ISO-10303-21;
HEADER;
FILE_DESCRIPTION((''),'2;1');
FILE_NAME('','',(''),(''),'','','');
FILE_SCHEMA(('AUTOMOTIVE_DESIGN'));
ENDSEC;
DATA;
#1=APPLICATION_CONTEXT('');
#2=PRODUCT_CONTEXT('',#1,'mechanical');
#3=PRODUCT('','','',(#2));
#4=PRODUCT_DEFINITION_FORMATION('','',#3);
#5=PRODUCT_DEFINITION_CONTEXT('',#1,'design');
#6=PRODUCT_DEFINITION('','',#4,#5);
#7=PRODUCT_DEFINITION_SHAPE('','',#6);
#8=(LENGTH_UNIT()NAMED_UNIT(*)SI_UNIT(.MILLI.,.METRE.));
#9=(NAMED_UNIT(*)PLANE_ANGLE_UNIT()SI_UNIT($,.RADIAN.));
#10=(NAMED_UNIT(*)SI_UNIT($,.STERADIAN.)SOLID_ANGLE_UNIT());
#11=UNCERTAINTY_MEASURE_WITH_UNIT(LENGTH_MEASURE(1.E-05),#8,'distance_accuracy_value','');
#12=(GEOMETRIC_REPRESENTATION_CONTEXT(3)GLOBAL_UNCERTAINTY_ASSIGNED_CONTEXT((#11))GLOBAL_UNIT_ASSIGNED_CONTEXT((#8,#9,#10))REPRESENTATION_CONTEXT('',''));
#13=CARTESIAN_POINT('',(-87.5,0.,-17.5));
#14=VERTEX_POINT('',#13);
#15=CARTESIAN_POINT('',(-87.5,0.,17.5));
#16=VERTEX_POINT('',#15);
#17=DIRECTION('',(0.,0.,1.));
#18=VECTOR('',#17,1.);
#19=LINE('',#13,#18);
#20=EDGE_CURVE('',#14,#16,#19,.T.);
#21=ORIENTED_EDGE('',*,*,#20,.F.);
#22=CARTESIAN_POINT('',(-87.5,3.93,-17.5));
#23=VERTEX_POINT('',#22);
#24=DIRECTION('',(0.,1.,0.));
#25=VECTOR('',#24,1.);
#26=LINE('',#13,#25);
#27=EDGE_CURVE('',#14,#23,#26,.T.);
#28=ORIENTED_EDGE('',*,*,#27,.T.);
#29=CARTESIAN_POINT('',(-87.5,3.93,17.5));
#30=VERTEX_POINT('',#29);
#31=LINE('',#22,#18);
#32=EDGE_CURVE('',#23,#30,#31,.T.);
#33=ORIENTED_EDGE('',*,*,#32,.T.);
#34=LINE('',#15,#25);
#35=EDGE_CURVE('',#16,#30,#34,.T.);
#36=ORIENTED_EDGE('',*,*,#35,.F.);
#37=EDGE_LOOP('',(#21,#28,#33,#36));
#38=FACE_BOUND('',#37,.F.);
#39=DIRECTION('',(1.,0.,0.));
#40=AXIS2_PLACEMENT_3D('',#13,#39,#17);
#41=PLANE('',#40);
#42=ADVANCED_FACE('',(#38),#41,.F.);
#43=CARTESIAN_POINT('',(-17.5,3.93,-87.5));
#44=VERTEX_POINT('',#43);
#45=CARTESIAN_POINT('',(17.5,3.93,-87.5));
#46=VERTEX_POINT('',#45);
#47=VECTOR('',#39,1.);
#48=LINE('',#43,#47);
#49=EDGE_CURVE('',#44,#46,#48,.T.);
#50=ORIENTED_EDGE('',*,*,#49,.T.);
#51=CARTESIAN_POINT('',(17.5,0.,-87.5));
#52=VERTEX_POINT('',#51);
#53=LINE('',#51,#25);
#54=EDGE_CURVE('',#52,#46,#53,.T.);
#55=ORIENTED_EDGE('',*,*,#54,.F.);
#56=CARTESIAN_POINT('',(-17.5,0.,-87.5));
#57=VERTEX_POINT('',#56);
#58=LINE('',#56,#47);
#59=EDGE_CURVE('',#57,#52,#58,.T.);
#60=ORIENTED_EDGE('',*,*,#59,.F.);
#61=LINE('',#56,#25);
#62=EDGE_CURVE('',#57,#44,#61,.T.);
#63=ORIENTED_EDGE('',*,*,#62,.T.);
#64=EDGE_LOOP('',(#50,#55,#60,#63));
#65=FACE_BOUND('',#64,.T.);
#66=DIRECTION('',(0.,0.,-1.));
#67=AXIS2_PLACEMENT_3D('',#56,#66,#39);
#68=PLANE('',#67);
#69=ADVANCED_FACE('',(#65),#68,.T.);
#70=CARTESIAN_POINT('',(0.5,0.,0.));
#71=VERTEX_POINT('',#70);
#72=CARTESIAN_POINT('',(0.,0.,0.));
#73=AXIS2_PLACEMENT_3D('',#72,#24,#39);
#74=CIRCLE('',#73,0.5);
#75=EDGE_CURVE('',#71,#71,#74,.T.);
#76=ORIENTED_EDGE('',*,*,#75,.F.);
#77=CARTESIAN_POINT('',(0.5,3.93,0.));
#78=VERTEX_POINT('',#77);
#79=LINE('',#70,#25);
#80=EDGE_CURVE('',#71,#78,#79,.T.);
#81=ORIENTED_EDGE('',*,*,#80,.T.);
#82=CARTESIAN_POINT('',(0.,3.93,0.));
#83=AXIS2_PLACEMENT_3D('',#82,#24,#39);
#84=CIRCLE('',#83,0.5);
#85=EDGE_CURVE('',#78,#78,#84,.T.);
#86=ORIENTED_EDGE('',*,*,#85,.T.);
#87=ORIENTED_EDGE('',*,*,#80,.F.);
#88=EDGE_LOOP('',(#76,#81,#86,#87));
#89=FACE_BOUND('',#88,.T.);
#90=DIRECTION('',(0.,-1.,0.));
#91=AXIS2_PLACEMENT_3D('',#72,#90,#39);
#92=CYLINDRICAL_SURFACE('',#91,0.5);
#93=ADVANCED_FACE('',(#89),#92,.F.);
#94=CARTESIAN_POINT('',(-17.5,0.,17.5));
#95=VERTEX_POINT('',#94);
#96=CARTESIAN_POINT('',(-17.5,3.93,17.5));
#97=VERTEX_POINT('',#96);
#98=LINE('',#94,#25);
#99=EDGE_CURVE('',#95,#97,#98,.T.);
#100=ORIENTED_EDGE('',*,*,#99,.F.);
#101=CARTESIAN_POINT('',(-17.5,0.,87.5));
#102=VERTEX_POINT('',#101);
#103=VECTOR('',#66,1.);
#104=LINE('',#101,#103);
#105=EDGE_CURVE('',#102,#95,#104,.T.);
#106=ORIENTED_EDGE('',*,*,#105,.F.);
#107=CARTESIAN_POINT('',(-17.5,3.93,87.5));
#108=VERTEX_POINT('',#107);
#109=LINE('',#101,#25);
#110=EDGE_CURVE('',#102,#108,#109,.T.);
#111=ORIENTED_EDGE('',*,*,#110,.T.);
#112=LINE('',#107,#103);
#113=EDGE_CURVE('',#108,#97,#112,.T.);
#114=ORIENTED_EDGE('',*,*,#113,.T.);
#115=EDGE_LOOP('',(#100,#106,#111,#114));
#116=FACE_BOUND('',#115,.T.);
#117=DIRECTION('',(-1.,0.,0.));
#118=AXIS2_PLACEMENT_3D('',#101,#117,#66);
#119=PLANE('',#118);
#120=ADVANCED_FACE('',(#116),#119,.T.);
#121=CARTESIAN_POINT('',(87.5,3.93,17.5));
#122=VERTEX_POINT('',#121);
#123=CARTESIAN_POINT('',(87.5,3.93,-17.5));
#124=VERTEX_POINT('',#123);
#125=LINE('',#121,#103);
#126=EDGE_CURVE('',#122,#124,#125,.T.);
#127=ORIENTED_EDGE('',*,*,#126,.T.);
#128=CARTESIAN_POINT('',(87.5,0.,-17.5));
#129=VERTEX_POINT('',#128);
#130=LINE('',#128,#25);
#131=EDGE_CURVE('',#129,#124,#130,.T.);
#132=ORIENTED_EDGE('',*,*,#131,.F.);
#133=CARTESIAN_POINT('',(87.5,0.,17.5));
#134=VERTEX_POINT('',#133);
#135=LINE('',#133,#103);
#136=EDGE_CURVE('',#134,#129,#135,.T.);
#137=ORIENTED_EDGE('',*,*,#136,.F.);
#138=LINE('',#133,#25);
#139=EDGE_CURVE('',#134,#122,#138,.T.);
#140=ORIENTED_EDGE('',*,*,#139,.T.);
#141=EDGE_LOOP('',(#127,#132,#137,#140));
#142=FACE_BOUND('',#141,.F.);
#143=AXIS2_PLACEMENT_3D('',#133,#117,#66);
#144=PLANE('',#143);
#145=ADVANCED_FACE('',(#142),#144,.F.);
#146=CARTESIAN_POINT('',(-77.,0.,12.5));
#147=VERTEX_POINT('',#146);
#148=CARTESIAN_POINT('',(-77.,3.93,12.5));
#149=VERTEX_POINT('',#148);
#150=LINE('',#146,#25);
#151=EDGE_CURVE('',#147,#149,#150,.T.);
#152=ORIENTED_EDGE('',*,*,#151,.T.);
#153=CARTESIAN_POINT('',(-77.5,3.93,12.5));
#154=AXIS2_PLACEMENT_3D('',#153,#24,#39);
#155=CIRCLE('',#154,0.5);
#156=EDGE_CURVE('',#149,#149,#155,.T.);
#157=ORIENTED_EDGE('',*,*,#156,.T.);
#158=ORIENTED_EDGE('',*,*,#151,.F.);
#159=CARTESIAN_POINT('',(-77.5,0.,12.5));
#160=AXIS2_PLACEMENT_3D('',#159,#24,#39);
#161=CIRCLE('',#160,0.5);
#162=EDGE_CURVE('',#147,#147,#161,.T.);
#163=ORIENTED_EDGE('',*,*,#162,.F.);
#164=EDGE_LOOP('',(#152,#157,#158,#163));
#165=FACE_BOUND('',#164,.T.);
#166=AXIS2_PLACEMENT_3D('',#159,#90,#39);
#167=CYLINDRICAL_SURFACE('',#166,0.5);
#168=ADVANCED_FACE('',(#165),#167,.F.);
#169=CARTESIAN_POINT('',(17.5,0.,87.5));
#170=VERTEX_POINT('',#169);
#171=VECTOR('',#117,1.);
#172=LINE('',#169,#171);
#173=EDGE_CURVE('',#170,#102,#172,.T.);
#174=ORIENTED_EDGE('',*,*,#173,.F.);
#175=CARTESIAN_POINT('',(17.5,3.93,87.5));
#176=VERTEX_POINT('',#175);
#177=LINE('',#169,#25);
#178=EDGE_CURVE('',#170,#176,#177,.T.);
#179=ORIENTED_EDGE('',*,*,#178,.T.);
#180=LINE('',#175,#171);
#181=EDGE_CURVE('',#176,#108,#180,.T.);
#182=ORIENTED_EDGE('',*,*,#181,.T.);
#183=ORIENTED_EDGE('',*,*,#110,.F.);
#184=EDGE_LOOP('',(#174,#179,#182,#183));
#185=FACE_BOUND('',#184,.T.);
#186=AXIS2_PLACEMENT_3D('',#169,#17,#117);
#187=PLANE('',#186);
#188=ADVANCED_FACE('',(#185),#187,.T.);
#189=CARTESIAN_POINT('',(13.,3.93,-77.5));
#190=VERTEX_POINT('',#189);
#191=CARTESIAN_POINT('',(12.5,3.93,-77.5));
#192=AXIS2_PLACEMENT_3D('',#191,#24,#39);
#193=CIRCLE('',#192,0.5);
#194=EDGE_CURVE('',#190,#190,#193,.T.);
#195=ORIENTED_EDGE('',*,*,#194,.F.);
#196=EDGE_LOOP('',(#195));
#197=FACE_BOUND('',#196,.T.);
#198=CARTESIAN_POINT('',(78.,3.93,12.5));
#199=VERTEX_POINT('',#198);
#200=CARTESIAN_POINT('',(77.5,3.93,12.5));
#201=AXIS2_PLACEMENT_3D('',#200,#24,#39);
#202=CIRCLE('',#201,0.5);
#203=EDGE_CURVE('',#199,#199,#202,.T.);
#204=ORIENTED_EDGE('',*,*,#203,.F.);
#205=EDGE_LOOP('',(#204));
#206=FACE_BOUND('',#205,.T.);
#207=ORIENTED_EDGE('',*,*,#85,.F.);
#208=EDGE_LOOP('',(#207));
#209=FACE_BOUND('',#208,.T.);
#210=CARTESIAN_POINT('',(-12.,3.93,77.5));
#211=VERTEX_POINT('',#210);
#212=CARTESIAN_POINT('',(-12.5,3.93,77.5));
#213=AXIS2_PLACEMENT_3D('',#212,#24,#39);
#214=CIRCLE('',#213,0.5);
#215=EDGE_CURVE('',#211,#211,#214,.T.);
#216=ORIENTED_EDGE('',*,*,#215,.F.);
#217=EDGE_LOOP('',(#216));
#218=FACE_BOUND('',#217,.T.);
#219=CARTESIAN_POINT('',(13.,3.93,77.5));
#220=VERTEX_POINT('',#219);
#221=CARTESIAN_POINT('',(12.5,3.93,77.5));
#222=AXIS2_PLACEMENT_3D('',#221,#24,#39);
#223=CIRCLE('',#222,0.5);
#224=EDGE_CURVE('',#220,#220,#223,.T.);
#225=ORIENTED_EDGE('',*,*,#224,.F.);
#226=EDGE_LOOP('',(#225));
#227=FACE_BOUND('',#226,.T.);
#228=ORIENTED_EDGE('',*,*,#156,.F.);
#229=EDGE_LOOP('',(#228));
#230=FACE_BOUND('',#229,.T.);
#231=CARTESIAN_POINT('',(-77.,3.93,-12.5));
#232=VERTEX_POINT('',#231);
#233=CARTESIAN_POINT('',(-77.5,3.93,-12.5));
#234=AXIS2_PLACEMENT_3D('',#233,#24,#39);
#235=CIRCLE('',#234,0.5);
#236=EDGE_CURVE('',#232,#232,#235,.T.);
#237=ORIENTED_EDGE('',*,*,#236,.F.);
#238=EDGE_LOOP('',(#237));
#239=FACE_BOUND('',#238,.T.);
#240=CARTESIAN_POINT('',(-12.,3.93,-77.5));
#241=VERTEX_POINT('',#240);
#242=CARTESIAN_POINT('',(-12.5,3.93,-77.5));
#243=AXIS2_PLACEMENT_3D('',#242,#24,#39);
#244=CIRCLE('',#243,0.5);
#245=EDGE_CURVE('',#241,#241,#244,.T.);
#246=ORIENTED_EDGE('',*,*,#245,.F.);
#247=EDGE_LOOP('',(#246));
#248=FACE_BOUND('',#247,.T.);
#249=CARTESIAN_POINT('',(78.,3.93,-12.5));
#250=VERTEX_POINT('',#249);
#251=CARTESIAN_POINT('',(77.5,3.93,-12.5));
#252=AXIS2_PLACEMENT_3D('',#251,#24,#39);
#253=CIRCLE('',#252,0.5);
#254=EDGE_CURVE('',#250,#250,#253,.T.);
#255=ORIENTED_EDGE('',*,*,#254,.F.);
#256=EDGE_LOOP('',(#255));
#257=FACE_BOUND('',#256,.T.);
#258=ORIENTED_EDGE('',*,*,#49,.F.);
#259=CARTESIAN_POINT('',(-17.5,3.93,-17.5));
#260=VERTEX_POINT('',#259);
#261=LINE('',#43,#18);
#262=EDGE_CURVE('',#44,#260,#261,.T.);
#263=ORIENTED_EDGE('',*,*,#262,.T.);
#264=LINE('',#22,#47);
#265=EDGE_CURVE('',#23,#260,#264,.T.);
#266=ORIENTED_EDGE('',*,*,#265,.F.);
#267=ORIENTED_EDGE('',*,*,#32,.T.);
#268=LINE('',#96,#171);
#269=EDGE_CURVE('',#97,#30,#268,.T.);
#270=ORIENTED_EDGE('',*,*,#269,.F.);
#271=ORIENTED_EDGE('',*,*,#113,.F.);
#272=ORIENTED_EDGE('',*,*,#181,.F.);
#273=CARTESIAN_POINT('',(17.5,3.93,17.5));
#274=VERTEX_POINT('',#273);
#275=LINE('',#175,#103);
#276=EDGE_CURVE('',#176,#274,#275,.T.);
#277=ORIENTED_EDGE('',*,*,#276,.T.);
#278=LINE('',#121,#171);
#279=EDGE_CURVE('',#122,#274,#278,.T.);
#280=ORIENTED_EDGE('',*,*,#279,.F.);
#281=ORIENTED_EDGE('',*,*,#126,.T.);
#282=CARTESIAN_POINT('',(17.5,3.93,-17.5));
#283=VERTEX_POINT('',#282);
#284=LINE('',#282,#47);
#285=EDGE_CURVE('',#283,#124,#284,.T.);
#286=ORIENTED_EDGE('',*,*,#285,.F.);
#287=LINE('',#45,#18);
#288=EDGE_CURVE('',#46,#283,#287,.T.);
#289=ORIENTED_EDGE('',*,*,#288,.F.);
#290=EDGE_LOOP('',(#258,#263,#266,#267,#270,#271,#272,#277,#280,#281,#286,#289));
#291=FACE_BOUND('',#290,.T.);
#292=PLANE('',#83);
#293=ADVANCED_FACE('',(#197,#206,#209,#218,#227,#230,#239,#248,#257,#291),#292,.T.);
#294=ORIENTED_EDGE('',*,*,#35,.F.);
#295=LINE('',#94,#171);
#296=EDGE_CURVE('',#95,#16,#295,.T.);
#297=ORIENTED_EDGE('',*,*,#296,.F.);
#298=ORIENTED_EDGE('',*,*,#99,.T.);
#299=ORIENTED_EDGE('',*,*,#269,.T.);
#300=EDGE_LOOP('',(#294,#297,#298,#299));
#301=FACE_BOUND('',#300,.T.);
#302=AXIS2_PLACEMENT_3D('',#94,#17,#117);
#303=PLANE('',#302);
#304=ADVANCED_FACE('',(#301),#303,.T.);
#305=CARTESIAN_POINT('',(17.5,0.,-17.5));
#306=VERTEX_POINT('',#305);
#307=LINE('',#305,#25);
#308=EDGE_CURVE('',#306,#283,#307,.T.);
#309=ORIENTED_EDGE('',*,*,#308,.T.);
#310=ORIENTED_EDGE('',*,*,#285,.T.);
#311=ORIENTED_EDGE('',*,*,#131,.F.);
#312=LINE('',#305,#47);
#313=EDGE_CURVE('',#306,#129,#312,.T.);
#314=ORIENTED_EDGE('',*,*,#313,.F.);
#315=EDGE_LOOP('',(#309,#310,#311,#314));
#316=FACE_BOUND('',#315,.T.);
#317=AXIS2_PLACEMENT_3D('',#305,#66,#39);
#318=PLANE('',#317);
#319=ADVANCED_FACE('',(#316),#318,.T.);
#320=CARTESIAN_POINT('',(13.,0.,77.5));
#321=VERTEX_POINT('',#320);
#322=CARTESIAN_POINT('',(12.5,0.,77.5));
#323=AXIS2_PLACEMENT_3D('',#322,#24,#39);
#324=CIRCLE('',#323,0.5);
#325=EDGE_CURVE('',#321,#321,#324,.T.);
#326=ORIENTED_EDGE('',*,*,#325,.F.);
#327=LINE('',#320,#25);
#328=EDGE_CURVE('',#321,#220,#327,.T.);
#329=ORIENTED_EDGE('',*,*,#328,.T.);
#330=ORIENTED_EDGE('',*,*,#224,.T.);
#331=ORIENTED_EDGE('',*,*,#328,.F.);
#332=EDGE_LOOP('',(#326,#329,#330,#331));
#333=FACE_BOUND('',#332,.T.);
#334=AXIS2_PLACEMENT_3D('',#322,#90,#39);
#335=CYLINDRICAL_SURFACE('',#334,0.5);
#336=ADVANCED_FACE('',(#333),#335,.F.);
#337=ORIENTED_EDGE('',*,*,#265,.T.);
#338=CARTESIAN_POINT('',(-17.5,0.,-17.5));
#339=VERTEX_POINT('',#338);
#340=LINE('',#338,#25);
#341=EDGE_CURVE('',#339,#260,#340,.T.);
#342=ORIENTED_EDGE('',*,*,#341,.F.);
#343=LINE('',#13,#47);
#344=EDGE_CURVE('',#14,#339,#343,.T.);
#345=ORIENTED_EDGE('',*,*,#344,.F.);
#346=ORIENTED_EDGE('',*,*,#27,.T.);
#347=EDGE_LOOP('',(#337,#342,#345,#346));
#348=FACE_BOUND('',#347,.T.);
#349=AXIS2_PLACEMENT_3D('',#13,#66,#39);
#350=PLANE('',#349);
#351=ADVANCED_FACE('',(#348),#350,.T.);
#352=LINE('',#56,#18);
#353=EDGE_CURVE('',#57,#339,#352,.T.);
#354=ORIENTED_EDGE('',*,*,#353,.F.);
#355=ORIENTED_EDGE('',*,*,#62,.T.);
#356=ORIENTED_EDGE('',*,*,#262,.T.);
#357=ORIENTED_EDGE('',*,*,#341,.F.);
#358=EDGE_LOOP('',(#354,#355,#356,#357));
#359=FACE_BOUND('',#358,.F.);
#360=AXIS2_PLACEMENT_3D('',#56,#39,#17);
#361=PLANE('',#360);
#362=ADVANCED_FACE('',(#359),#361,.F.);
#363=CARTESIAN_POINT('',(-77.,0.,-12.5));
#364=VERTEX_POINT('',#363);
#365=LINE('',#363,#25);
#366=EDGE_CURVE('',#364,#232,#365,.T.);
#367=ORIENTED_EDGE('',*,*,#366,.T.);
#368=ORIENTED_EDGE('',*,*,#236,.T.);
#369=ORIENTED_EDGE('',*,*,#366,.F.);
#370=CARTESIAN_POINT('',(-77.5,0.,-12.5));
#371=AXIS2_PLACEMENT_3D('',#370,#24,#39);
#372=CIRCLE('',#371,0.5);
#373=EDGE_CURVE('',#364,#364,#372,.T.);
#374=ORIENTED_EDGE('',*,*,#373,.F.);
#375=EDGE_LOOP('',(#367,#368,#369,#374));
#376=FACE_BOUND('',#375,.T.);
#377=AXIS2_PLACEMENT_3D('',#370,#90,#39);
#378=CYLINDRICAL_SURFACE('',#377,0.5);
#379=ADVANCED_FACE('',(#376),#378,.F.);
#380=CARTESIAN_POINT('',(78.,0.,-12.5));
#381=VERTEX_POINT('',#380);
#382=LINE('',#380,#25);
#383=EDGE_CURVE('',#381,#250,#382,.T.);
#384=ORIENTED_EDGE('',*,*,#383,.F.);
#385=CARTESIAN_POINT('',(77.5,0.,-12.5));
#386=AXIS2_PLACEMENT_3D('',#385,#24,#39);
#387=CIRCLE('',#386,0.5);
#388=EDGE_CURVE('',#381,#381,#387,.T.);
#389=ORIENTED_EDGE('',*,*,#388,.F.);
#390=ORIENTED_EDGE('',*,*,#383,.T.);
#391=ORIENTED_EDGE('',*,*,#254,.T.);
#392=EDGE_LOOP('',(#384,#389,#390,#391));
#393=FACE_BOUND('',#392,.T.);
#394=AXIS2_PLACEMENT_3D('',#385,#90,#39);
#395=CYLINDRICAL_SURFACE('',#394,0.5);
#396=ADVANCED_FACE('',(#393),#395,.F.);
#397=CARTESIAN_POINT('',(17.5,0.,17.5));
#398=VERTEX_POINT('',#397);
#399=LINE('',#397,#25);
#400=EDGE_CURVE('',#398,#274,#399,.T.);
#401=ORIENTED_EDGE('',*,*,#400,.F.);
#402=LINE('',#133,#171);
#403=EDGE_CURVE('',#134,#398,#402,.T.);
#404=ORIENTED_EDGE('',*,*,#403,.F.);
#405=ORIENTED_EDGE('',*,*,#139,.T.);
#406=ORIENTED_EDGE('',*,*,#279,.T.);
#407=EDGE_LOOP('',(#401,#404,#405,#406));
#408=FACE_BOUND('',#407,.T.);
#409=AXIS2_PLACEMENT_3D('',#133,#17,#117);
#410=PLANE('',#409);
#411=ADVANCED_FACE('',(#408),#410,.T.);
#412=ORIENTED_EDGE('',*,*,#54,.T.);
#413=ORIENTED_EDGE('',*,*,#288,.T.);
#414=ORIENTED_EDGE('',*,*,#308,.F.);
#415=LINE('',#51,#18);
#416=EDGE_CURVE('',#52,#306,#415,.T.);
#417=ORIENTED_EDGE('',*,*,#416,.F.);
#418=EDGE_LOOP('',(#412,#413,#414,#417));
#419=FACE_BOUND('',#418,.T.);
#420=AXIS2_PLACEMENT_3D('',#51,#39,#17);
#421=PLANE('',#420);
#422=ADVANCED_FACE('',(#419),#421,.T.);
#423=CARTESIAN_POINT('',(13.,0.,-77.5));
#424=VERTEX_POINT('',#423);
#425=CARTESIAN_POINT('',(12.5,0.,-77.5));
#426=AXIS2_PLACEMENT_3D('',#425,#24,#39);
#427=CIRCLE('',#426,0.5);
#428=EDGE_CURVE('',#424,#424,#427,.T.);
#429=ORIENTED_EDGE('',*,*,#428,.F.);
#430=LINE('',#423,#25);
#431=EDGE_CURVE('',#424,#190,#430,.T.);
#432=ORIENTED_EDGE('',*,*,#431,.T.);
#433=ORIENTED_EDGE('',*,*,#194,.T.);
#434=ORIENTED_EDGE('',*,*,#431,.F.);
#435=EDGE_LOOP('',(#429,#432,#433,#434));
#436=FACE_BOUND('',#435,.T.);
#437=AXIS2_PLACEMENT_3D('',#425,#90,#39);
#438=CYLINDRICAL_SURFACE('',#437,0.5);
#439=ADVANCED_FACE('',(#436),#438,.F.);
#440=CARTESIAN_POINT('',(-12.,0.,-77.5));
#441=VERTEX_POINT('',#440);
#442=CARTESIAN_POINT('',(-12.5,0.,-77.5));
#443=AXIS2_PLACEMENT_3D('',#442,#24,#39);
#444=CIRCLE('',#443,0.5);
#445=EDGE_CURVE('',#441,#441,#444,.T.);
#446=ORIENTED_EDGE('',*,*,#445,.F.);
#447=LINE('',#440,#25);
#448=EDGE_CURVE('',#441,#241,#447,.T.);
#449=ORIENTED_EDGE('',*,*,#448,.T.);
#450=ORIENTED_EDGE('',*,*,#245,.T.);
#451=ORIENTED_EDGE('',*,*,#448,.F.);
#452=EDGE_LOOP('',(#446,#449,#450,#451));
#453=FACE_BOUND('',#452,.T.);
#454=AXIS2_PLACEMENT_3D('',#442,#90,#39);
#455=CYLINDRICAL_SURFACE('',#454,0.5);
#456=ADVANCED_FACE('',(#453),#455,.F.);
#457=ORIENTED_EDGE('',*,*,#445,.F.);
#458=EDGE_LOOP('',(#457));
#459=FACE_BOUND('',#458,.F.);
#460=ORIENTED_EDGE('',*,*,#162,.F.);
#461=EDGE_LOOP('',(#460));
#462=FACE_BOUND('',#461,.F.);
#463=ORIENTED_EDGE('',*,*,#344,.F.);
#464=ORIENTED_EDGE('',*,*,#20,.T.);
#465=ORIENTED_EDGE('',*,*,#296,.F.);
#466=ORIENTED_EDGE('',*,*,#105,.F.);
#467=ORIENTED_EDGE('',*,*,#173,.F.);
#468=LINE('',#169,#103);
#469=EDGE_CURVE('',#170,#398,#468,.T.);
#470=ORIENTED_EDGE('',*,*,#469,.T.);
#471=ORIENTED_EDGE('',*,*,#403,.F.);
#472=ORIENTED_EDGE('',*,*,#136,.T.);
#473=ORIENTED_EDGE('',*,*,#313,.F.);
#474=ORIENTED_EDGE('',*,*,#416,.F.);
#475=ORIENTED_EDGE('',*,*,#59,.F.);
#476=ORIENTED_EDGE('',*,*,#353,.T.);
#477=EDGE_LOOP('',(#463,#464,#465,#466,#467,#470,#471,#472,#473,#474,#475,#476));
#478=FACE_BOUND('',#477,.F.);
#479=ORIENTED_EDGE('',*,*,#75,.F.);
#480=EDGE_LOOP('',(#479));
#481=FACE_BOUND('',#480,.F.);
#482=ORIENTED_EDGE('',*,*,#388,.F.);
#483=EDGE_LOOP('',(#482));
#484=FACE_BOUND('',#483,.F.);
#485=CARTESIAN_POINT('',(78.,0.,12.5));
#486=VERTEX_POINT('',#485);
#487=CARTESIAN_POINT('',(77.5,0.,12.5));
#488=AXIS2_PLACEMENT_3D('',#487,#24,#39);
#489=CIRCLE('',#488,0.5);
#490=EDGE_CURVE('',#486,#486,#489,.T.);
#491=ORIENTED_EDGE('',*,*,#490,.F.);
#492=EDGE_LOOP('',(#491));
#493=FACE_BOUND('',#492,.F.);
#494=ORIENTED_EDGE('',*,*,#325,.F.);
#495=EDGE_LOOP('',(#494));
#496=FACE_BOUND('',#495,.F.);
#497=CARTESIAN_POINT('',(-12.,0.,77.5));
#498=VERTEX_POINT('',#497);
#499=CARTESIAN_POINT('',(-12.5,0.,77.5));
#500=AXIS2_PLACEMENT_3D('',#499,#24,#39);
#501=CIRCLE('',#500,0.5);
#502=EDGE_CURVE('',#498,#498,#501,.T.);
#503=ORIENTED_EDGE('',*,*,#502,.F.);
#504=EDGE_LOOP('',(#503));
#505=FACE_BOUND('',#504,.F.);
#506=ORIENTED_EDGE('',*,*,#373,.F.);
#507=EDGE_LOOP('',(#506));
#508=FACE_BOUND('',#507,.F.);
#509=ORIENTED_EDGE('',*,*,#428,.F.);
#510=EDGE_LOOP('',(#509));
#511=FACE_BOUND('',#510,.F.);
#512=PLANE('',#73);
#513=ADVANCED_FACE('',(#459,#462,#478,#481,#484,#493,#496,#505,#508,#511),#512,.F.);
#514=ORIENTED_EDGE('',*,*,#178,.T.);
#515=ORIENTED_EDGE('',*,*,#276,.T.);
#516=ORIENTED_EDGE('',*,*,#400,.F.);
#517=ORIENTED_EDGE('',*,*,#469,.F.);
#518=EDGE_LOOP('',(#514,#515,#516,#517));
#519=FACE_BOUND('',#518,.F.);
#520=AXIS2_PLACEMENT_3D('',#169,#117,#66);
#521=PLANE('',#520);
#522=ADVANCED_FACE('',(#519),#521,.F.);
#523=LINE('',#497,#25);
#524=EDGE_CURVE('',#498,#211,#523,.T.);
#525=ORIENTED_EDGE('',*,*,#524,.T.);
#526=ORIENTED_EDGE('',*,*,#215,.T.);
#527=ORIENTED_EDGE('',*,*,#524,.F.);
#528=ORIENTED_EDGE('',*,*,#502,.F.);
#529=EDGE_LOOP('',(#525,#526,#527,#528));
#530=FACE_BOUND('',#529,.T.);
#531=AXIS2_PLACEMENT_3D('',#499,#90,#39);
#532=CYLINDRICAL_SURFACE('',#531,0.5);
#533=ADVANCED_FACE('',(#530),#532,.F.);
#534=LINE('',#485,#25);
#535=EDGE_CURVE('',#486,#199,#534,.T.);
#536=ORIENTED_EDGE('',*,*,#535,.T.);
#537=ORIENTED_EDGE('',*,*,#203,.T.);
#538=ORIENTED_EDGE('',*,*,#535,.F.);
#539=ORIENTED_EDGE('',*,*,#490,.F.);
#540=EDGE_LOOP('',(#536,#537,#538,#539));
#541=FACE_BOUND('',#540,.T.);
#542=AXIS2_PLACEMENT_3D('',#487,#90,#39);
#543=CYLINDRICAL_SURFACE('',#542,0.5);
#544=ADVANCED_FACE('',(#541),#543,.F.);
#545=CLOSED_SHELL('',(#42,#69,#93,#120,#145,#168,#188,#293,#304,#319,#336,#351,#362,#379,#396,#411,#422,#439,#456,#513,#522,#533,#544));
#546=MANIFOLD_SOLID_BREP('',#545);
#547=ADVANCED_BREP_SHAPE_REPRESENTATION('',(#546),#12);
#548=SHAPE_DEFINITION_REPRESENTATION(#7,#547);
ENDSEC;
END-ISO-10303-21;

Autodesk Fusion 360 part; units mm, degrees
sketch "Sketch1" plane through (0, 0, 0) normal (0, 1, 0) x (1, 0, 0)
  line L0 (17.5, -87.5) -> (-17.5, -87.5)
  line L1 (-17.5, 87.5) -> (17.5, 87.5)
  line L2 (17.5, -87.5) -> (-17.5, 87.5) construction
  line L3 (-17.5, -87.5) -> (17.5, 87.5) construction
  line L4 (-87.5, 17.5) -> (-87.5, -17.5)
  line L5 (87.5, -17.5) -> (87.5, 17.5)
  line L6 (87.5, 17.5) -> (-87.5, -17.5) construction
  line L7 (-87.5, 17.5) -> (87.5, -17.5) construction
  circle A0 centre (-77.5, 12.5) radius 0.5
  circle A1 centre (-77.5, -12.5) radius 0.5
  circle A2 centre (-12.5, -77.5) radius 0.5
  circle A3 centre (12.5, -77.5) radius 0.5
  circle A4 centre (77.5, -12.5) radius 0.5
  circle A5 centre (77.5, 12.5) radius 0.5
  circle A6 centre (-12.5, 77.5) radius 0.5
  circle A7 centre (12.5, 77.5) radius 0.5
  line L8 (-17.5, 87.5) -> (-17.5, 17.5)
  line L9 (17.5, 87.5) -> (17.5, 17.5)
  line L10 (-17.5, -87.5) -> (-17.5, -17.5)
  line L11 (17.5, -87.5) -> (17.5, -17.5)
  line L12 (-87.5, 17.5) -> (-17.5, 17.5)
  line L13 (17.5, 17.5) -> (87.5, 17.5)
  line L14 (87.5, -17.5) -> (17.5, -17.5)
  line L15 (-17.5, -17.5) -> (-87.5, -17.5)
  circle A8 centre (0, 0) radius 0.5
  dimension "d1" = 35
  dimension "d2" = 175
  dimension "d3" = 175
  dimension "d4" = 35
  dimension "d7" = 1
  dimension "d8" = 10
  dimension "d10" = 1
  dimension "d12" = 10
  dimension "d13" = 1
  dimension "d14" = 1
  dimension "d15" = 1
  dimension "d16" = 1
  dimension "d17" = 1
  dimension "d18" = 1
  dimension "d20" = 10
  dimension "d21" = 10
  dimension "d24" = 10
  dimension "d25" = 10
  dimension "d28" = 10
  dimension "d29" = 10
  dimension "d31" = 5
  dimension "d32" = 5
  dimension "d33" = 5
  dimension "d34" = 5
  dimension "d35" = 5
  dimension "d36" = 5
  dimension "d37" = 5
  dimension "d38" = 5
  dimension "d39" = 1
  dimension "d40" = 70
  dimension "d41" = 70
extrude "Extrude1" add sketch "Sketch1" along normal blind 3.93
